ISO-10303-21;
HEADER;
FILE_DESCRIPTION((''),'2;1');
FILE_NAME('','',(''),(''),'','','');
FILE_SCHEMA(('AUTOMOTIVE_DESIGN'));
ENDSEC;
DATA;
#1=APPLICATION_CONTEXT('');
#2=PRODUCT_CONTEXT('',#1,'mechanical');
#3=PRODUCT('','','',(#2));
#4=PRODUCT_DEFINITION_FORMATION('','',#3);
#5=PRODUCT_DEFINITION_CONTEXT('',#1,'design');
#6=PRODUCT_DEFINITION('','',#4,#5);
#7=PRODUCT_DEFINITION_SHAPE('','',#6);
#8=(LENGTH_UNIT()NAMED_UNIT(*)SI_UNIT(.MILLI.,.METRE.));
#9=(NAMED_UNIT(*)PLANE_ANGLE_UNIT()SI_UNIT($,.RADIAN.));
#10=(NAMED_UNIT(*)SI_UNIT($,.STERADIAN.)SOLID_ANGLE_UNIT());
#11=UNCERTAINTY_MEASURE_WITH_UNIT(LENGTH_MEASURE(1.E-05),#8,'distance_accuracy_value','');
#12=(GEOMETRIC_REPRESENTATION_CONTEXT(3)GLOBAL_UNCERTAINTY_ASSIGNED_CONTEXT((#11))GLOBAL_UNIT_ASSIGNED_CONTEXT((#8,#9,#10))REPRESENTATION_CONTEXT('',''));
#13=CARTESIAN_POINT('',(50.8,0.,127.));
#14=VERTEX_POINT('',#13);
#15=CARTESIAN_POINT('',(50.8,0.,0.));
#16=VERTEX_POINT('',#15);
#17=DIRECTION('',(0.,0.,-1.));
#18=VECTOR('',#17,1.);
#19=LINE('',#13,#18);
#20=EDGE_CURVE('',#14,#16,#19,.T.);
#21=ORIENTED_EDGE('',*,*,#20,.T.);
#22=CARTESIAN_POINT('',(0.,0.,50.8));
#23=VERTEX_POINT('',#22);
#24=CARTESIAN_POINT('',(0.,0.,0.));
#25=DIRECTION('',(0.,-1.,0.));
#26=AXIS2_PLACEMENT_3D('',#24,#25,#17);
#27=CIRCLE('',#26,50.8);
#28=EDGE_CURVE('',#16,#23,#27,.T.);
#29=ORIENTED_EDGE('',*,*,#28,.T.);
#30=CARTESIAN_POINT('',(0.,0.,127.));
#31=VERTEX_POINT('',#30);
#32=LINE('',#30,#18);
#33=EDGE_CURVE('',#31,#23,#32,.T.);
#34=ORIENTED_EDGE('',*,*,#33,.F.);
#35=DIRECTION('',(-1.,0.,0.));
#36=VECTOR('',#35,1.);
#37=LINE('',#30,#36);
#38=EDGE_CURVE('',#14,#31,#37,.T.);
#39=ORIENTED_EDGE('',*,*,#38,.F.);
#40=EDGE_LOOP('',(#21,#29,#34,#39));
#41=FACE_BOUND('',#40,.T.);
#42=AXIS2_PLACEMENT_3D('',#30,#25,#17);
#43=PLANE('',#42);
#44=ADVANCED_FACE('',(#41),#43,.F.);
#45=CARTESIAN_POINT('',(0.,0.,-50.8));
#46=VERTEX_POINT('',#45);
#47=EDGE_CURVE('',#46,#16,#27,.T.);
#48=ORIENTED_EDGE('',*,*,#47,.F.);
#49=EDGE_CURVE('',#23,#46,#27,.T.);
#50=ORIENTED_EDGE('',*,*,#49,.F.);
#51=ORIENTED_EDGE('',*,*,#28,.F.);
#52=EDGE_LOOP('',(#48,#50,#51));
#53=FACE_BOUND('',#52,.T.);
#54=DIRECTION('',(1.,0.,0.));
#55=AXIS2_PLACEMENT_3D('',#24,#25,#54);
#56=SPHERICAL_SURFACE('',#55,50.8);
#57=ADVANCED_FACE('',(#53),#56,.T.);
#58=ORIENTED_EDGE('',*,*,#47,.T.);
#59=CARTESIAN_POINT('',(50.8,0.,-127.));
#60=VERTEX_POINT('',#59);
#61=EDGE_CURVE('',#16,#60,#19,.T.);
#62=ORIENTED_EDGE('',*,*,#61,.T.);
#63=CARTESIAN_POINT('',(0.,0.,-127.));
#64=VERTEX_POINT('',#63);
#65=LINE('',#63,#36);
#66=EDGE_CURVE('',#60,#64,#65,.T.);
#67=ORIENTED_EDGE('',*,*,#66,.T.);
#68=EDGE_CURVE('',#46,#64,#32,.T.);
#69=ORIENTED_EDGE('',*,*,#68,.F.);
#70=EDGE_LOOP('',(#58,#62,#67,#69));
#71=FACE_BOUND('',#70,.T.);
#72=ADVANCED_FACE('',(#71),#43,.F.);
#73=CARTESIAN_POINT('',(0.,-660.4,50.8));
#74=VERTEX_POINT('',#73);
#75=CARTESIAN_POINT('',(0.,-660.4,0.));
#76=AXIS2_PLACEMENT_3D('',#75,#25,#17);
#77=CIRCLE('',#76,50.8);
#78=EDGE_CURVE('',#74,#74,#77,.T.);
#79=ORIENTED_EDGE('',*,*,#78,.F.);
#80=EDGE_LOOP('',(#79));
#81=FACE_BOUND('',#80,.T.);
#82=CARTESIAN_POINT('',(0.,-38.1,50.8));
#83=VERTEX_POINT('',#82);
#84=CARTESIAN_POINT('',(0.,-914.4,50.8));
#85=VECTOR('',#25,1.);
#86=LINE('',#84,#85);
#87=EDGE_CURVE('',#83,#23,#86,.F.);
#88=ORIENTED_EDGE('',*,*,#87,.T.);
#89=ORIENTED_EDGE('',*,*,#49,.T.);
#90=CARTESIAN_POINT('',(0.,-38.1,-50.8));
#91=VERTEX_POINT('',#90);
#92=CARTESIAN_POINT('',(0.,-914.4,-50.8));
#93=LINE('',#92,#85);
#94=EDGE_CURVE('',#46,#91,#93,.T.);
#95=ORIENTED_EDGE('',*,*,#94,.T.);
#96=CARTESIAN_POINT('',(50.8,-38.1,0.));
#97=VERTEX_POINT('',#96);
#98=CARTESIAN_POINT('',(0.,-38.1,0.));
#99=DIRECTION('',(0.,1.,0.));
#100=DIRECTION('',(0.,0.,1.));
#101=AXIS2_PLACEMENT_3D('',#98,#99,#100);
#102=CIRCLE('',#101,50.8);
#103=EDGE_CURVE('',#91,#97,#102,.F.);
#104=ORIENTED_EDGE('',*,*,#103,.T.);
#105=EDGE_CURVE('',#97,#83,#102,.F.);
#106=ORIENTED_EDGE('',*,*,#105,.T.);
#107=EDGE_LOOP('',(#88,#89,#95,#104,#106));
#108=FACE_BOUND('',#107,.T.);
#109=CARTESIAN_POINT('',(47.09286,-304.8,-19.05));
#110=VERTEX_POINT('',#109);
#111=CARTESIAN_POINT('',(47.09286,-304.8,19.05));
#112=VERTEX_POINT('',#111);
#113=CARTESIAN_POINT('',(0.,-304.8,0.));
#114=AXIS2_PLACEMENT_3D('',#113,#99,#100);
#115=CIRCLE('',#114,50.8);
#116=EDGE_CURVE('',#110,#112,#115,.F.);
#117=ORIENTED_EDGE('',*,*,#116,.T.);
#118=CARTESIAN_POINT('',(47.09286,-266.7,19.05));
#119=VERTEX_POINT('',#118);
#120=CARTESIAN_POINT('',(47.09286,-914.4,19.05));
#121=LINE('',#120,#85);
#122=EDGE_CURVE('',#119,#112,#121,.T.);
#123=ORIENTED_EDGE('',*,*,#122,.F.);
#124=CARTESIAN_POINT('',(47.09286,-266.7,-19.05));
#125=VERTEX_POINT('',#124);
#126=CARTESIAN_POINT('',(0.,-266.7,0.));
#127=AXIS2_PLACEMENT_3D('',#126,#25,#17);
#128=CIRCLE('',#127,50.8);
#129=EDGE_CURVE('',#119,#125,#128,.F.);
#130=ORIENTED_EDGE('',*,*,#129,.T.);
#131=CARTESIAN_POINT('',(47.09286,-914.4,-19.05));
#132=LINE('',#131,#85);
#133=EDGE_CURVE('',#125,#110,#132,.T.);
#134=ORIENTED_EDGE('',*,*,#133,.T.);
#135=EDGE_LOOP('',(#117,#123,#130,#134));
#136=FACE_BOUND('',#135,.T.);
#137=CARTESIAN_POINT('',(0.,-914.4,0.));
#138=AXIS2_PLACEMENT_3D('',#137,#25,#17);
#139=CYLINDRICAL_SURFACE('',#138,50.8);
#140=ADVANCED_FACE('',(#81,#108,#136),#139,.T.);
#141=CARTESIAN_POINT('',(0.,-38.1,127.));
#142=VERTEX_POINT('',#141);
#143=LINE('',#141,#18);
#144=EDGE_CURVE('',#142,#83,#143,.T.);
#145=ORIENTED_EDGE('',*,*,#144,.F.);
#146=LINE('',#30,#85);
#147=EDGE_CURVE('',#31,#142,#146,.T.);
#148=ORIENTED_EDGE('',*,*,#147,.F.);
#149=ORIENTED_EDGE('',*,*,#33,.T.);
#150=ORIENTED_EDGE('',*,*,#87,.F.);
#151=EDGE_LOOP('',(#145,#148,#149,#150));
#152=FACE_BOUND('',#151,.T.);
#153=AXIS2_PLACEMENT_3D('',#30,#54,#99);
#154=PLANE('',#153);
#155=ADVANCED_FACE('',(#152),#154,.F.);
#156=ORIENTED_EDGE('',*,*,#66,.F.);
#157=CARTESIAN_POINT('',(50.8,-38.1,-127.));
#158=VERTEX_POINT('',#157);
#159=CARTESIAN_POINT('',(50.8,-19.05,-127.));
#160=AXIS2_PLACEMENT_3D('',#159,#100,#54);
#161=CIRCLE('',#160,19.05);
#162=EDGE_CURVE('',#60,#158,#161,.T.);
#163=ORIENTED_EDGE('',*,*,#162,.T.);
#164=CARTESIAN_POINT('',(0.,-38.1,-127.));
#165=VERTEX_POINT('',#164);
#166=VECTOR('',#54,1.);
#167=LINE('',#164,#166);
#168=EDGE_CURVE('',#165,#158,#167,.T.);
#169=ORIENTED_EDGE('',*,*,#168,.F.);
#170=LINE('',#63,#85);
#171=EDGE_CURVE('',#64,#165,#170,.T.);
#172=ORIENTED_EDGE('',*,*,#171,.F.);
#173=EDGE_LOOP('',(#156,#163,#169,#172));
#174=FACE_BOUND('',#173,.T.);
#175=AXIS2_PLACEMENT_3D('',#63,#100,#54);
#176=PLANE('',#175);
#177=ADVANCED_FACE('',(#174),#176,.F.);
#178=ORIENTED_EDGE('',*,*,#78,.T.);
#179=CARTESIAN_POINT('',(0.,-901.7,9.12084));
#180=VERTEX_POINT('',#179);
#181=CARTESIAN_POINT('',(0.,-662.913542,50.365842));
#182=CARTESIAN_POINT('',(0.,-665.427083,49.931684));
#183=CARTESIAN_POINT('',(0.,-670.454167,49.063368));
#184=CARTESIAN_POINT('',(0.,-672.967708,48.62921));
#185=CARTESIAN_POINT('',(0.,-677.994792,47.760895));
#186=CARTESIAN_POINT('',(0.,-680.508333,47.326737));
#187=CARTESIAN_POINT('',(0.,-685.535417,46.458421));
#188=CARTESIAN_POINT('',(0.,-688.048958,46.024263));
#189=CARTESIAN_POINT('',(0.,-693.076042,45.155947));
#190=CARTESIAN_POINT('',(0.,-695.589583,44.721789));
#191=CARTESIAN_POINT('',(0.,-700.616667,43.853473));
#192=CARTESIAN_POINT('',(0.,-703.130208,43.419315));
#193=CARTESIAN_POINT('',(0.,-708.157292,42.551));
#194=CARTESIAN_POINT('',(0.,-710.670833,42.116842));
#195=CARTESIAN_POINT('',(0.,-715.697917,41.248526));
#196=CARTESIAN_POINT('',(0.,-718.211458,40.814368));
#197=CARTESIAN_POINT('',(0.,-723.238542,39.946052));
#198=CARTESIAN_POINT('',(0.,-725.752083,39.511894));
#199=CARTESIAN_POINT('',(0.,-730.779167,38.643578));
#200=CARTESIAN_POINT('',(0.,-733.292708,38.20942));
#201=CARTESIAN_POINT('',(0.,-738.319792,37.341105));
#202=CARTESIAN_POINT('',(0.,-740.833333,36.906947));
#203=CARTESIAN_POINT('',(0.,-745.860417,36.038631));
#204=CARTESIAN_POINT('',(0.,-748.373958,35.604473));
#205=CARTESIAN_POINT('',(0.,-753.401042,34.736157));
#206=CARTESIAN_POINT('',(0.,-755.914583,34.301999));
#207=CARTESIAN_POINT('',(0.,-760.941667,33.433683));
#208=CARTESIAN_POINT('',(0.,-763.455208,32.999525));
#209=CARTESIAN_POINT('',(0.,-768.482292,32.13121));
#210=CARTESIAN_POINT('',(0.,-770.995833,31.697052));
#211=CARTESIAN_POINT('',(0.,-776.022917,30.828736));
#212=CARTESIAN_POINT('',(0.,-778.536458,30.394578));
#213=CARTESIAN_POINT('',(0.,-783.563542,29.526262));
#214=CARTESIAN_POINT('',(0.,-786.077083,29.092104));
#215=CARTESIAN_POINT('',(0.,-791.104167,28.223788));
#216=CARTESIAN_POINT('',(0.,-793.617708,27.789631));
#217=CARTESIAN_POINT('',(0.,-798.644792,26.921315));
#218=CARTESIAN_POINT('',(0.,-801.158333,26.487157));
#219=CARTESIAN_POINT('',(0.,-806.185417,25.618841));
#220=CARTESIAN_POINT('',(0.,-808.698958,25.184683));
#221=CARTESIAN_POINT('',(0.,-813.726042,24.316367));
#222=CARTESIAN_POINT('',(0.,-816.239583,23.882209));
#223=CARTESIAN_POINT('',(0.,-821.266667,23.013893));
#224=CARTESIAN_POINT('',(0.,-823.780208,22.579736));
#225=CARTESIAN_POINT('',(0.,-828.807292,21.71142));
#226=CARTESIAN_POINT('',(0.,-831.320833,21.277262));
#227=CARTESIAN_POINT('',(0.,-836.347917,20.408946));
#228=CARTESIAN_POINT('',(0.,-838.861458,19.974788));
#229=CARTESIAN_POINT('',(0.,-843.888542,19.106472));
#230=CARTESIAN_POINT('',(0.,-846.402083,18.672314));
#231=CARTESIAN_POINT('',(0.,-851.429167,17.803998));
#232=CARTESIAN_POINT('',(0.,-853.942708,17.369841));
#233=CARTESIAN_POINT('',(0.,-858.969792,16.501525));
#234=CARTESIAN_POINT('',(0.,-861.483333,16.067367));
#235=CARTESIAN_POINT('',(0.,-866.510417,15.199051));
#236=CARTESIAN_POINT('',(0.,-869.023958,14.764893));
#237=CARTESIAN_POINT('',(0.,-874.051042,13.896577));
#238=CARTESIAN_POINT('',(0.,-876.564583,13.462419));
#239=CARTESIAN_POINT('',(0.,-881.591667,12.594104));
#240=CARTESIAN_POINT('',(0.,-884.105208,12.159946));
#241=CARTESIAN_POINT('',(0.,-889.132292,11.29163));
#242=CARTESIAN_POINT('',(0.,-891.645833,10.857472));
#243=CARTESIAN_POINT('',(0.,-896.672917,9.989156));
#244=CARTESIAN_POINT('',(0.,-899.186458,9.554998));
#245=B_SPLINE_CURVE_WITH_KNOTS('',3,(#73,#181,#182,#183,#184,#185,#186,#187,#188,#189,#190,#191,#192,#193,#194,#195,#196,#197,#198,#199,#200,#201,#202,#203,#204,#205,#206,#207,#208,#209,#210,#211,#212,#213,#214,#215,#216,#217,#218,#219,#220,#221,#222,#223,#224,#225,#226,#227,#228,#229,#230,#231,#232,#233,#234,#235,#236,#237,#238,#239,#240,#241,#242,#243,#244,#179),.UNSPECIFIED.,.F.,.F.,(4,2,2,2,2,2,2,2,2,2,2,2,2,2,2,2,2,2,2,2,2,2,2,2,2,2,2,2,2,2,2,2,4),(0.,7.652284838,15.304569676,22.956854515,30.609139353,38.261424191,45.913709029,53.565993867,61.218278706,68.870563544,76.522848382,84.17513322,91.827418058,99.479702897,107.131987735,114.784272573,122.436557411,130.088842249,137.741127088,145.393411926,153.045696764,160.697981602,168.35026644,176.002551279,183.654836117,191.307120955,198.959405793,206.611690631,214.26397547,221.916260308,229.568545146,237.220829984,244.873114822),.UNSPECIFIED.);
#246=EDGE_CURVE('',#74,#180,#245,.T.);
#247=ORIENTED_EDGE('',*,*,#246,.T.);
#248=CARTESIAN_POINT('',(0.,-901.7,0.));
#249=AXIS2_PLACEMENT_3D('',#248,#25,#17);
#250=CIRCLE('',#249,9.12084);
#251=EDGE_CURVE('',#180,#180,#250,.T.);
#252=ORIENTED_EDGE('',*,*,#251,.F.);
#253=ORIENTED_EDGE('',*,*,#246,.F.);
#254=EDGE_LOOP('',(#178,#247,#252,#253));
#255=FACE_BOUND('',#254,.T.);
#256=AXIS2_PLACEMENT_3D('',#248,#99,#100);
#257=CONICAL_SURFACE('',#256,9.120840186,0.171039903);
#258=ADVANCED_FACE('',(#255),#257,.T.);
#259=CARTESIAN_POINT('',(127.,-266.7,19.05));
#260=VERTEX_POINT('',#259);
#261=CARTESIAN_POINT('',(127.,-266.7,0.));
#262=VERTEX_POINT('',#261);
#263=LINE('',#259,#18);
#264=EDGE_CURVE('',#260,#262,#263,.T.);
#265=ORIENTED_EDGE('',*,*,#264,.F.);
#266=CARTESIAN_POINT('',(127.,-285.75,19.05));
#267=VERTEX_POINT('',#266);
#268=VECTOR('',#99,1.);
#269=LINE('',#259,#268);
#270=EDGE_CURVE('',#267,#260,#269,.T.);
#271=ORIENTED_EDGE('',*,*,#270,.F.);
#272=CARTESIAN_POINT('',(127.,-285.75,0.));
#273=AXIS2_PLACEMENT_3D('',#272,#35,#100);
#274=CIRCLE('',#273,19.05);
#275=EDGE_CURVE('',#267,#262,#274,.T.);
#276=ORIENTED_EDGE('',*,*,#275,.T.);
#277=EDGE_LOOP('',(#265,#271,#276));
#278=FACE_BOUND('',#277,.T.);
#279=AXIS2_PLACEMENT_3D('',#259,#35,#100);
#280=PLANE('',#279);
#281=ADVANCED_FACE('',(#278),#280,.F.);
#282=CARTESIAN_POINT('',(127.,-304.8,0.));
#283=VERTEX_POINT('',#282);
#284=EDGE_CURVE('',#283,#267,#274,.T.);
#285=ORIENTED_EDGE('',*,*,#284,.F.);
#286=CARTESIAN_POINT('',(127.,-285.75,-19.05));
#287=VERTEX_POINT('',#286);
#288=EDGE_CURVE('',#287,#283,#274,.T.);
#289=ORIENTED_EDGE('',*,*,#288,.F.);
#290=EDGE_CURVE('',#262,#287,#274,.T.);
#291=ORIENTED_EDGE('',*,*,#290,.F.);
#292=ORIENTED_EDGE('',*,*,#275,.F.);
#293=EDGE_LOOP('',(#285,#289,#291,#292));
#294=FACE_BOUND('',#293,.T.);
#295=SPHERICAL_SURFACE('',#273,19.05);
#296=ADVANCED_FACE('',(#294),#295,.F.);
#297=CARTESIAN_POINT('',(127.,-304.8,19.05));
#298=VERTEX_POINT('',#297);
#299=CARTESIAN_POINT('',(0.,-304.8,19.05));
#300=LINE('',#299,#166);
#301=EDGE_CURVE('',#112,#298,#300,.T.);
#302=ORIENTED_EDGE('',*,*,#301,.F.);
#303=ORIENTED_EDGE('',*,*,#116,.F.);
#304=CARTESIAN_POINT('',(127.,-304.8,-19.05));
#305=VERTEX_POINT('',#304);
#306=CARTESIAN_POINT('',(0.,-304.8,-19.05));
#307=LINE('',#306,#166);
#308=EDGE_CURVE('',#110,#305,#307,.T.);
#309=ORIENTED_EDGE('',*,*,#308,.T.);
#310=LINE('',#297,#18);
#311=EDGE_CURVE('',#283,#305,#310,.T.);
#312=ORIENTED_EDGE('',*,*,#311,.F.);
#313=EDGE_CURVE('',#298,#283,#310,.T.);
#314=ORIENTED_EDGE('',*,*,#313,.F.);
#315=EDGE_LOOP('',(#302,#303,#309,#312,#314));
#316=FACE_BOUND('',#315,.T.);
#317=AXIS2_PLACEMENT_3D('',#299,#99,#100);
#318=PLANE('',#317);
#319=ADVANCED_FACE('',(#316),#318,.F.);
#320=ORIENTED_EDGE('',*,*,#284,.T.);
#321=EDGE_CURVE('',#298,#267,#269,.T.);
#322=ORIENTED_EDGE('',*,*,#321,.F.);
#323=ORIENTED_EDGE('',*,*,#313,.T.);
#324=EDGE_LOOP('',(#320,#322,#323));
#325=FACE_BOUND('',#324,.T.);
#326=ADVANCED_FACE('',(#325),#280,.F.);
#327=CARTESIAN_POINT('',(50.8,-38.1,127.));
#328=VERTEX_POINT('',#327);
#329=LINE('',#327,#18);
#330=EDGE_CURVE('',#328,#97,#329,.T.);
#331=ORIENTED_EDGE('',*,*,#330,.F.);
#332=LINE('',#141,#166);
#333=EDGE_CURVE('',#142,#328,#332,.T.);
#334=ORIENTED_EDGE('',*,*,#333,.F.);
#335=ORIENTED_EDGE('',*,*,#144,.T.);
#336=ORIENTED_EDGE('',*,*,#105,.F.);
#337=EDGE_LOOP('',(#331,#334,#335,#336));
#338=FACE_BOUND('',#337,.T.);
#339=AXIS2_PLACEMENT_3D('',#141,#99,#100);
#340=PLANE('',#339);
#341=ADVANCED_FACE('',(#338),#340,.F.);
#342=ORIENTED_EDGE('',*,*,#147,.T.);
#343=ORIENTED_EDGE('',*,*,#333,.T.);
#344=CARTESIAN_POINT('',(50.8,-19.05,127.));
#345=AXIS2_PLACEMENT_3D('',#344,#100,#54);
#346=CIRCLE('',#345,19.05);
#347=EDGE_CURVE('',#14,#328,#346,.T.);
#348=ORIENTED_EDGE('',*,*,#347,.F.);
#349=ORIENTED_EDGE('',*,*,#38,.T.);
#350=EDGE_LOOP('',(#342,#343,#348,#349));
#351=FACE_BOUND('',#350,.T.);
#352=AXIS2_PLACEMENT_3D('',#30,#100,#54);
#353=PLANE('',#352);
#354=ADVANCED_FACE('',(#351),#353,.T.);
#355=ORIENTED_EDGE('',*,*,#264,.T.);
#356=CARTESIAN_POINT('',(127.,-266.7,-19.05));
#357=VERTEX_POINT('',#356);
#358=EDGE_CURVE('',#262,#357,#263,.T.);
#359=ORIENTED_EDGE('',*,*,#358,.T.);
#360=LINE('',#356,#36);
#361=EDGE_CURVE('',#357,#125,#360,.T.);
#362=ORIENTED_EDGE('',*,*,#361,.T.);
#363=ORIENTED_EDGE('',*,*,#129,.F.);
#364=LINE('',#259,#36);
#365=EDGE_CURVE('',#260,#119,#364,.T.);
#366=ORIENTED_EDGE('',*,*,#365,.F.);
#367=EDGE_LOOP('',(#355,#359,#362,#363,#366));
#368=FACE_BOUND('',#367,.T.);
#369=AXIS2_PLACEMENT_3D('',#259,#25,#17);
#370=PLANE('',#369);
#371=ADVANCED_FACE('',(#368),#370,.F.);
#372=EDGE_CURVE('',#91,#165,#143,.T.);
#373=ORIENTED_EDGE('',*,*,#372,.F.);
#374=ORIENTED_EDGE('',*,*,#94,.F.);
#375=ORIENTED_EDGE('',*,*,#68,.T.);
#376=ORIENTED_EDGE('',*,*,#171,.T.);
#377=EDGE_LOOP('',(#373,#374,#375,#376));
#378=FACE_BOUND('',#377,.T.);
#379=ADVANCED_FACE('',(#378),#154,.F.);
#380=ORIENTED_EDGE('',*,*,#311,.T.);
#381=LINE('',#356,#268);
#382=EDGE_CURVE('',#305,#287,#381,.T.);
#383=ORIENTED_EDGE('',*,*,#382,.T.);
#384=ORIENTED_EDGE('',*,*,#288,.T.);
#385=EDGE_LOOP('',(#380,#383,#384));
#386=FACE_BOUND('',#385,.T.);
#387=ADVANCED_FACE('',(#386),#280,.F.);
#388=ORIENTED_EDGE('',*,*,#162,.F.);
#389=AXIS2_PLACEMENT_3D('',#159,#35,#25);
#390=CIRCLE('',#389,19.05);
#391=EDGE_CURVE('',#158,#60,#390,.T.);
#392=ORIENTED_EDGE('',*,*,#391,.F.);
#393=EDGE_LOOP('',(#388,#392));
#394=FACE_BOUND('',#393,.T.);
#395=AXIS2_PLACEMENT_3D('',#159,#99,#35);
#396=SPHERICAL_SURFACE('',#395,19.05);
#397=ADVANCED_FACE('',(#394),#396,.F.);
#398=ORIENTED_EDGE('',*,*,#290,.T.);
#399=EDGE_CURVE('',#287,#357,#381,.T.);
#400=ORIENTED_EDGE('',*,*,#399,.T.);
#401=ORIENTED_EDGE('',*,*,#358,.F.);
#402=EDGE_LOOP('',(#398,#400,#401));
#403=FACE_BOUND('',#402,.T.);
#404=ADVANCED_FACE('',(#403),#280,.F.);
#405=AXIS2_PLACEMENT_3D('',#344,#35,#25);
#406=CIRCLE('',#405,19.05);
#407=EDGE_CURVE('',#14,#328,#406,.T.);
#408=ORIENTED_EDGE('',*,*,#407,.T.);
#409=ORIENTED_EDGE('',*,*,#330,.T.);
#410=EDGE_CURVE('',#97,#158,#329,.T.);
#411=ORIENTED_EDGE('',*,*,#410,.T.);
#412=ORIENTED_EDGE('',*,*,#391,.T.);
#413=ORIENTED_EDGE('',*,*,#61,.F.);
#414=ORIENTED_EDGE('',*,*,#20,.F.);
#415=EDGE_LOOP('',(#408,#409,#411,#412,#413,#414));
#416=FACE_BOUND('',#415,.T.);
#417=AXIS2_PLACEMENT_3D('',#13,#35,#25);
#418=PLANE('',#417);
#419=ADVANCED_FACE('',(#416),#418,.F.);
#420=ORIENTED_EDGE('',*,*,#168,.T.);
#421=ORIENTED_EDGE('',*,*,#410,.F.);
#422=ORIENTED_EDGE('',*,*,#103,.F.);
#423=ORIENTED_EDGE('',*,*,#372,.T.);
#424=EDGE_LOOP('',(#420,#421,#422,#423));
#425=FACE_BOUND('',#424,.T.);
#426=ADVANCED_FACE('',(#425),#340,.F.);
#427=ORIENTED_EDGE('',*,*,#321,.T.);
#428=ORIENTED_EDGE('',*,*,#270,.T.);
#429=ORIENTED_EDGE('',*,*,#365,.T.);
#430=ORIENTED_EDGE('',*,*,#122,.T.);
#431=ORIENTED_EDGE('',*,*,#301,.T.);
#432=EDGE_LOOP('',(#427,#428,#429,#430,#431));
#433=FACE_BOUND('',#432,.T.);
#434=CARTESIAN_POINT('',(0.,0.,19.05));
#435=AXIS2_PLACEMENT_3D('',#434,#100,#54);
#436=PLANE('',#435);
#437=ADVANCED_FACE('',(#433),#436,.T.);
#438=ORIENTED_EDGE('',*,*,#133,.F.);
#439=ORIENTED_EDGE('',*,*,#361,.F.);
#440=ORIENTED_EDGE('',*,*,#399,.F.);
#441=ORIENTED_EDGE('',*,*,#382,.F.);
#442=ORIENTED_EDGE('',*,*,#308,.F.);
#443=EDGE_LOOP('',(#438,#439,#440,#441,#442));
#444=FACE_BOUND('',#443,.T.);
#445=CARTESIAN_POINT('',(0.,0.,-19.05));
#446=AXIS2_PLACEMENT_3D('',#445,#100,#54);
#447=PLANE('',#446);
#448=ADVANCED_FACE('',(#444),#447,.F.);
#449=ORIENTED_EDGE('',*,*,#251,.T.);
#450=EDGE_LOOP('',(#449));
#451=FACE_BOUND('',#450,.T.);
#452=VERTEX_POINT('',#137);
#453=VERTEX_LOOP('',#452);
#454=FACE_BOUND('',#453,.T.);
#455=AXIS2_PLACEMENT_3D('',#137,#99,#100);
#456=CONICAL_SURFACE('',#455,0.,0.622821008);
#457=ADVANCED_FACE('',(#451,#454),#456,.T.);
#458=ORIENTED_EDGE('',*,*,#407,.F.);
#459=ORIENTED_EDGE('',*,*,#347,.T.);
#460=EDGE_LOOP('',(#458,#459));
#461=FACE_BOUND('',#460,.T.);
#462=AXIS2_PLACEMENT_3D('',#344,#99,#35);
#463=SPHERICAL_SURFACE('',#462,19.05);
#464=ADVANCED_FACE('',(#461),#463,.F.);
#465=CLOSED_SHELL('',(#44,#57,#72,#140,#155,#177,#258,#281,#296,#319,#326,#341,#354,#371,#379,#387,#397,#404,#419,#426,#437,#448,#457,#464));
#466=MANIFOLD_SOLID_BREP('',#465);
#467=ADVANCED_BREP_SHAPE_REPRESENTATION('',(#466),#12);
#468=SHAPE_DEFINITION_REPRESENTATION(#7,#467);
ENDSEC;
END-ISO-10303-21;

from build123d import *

# Parameters (mm, degrees)
SKETCH4_W           = 50.8
SKETCH4_H           = 38.1
BOSS_EXTRUDE3_DEPTH = 127
SKETCH2_W           = 127
SKETCH2_H           = 38.1
BOSS_EXTRUDE2_DEPTH = 19.05


with BuildPart() as part:
    # Sketch1 → Revolve1 (revolve)
    with BuildSketch(Plane.XY):
        with BuildLine():
            Line((50.8, 0), (50.8, -660.4))
            Line((50.8, -660.4), (9.120840186, -901.7))
            Line((9.120840186, -901.7), (0, -914.4))
            Line((0, -914.4), (0, 50.8))
            ThreePointArc((0, 50.8), (35.921024484, 35.921024484), (50.8, 0))
        make_face()
    revolve(axis=Axis((0, -914.4, 0), (0, 1, 0)))

    # Sketch4 → Boss-Extrude3 (add, symmetric)
    with BuildSketch(Plane.XY):
        with Locations((25.4, -19.05)):
            Rectangle(SKETCH4_W, SKETCH4_H)
    extrude(amount=BOSS_EXTRUDE3_DEPTH, both=True)

    # Sketch2 → Boss-Extrude2 (add, symmetric)
    with BuildSketch(Plane.XY):
        with Locations((63.5, -285.75)):
            Rectangle(SKETCH2_W, SKETCH2_H)
    extrude(amount=BOSS_EXTRUDE2_DEPTH, both=True)

    # Sketch5 → Cut-Revolve1 (revolve, cut)
    with BuildSketch(Plane.XY.offset(127)):
        with BuildLine():
            Line((50.8, 0), (50.8, -38.1))
            ThreePointArc((50.8, -38.1), (31.75, -19.05), (50.8, 0))
        make_face()
    cut_revolve1 = revolve(axis=Axis((50.8, 0, 127), (0, -1, 0)), mode=Mode.SUBTRACT)

    # Mirror1: Cut-Revolve1 across plane
    add(cut_revolve1.mirror(Plane.XY), mode=Mode.SUBTRACT)

    # Sketch6 → Cut-Revolve2 (revolve, cut)
    with BuildSketch(Plane.XY):
        with BuildLine():
            Line((127, -266.7), (127, -304.8))
            ThreePointArc((127, -304.8), (107.95, -285.75), (127, -266.7))
        make_face()
    revolve(axis=Axis((127, -266.7, 0), (0, -1, 0)), mode=Mode.SUBTRACT)


solid = part.part
